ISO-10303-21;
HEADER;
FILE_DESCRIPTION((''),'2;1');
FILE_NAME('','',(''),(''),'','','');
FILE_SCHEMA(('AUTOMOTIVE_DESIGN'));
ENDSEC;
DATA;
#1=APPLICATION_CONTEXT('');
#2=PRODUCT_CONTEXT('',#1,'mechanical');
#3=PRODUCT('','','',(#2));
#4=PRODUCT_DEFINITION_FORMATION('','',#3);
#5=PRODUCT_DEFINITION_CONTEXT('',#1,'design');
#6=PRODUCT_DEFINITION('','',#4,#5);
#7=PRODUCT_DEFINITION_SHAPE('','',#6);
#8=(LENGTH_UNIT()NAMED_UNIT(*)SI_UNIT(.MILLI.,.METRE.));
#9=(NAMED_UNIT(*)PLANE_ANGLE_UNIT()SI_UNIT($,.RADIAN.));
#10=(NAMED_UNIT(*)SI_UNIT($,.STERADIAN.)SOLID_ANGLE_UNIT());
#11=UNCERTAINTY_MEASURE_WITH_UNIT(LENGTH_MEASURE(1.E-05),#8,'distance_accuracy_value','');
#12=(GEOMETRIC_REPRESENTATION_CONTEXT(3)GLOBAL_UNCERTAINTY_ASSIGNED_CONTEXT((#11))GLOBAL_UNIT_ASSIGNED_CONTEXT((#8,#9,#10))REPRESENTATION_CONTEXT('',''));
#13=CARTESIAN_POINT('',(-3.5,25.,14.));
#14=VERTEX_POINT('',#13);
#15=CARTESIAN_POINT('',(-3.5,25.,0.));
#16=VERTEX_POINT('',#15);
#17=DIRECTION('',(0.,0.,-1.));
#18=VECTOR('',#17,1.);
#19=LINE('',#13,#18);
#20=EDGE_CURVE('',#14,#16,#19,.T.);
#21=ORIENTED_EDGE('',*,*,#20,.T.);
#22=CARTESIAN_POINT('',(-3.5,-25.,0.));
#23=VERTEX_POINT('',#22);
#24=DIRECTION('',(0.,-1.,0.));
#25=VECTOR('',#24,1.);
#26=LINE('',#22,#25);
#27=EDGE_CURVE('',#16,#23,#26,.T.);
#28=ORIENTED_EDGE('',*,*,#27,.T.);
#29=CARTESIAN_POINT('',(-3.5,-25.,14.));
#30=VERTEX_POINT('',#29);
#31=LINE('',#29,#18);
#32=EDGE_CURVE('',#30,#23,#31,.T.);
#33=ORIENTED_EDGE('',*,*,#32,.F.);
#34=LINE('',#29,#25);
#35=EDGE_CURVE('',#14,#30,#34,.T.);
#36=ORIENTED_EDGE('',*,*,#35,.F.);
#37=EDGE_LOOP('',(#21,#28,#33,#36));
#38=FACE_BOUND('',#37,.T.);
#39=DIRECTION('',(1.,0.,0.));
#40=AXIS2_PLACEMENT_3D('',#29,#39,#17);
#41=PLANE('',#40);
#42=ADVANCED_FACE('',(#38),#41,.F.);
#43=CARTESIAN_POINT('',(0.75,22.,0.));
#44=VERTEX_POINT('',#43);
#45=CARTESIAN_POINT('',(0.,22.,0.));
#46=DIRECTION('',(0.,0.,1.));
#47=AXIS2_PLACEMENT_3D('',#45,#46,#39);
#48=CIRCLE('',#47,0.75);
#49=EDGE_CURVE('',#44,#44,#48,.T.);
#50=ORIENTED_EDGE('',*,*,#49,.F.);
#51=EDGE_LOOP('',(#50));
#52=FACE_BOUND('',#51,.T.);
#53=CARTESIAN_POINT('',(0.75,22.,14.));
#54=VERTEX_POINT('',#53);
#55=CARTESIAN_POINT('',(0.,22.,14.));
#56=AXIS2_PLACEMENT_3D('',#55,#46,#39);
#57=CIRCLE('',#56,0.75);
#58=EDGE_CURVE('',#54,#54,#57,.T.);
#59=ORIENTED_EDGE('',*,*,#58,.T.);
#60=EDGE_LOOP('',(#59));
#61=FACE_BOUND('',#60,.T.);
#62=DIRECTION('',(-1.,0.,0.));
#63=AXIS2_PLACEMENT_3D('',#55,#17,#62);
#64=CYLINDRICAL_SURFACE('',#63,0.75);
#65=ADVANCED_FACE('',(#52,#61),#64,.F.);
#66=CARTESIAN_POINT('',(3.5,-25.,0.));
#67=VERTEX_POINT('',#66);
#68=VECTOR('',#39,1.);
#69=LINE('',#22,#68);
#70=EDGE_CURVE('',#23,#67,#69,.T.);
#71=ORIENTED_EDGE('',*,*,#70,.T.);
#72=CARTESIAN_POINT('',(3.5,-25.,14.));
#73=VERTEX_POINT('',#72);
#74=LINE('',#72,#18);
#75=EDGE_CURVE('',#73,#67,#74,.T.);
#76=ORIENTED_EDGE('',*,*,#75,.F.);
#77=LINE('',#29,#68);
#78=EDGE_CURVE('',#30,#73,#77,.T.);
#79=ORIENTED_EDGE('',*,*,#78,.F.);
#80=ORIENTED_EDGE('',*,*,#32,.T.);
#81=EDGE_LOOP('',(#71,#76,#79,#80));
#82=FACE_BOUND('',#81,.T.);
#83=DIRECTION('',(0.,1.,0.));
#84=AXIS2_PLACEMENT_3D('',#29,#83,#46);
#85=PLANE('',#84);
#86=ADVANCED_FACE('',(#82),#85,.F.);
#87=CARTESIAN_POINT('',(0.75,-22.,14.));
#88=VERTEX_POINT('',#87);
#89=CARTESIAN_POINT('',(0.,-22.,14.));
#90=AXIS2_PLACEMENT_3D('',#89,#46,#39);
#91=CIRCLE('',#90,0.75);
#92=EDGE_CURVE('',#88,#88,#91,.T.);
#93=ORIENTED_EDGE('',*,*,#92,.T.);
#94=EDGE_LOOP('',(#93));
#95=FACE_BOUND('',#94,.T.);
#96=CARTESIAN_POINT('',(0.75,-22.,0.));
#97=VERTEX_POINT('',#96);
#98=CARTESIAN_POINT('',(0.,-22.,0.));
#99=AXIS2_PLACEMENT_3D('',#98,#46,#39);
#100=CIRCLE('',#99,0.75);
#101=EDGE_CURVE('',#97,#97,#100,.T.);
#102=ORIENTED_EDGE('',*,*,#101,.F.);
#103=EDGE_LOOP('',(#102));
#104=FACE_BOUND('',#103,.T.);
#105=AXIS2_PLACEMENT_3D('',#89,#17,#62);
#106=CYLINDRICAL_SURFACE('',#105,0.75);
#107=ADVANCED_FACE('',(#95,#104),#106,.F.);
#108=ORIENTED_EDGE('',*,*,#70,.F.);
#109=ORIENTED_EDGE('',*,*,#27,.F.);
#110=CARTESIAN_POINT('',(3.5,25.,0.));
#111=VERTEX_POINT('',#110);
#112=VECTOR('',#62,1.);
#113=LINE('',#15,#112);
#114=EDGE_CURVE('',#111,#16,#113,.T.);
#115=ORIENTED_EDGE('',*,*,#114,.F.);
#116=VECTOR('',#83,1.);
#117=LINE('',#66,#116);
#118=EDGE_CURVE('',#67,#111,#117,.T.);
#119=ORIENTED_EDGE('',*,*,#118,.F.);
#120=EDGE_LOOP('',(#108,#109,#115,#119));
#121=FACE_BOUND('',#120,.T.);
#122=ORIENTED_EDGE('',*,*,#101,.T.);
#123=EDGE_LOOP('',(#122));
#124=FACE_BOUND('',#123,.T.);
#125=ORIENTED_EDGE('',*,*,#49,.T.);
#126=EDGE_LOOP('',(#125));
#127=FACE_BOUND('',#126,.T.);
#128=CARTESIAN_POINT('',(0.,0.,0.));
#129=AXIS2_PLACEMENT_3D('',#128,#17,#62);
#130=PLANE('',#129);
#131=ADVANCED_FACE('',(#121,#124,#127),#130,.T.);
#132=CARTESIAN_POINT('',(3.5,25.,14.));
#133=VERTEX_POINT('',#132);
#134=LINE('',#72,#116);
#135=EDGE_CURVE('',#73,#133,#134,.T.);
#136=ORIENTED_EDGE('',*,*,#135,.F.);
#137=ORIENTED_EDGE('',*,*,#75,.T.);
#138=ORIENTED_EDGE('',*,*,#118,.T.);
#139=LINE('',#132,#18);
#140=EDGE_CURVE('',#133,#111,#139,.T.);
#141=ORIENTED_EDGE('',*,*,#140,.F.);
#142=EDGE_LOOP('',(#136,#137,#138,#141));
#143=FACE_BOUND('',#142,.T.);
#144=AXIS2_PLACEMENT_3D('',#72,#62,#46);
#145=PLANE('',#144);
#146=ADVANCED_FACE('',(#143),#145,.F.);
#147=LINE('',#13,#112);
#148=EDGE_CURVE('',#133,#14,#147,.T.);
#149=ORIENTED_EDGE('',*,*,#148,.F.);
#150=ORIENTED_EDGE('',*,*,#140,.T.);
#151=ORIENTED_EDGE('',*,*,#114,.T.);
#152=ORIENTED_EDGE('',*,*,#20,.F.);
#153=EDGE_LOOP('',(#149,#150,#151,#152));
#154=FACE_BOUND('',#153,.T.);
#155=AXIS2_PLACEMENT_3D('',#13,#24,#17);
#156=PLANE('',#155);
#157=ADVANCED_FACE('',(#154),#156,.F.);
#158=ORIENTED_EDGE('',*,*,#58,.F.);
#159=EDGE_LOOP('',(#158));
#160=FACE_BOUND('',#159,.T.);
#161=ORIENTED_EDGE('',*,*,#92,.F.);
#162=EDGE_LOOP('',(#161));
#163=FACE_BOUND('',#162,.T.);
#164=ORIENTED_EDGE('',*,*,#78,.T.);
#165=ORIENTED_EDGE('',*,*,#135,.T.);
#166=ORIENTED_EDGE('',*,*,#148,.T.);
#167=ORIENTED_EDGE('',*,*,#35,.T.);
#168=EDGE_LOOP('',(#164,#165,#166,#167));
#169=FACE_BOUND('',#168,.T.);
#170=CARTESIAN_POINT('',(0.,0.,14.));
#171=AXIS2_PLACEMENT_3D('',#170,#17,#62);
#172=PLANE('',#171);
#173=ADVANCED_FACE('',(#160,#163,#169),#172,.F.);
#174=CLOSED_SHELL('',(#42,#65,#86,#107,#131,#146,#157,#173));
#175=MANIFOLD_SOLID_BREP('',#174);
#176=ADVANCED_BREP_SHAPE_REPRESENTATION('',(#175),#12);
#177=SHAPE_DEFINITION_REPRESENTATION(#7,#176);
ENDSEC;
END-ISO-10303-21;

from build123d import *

# Parameters (mm, degrees)
SKETCH1_W           = 7
SKETCH1_H           = 50
SKETCH1_R           = 0.75
BOSS_EXTRUDE1_DEPTH = 14


with BuildPart() as part:
    # Sketch1 → Boss-Extrude1 (new body)
    with BuildSketch(Plane.XY):
        Rectangle(SKETCH1_W, SKETCH1_H)
        with Locations((0, 22)):
            Circle(SKETCH1_R, mode=Mode.SUBTRACT)
        with Locations((0, -22)):
            Circle(SKETCH1_R, mode=Mode.SUBTRACT)
    extrude(amount=BOSS_EXTRUDE1_DEPTH)


solid = part.part
